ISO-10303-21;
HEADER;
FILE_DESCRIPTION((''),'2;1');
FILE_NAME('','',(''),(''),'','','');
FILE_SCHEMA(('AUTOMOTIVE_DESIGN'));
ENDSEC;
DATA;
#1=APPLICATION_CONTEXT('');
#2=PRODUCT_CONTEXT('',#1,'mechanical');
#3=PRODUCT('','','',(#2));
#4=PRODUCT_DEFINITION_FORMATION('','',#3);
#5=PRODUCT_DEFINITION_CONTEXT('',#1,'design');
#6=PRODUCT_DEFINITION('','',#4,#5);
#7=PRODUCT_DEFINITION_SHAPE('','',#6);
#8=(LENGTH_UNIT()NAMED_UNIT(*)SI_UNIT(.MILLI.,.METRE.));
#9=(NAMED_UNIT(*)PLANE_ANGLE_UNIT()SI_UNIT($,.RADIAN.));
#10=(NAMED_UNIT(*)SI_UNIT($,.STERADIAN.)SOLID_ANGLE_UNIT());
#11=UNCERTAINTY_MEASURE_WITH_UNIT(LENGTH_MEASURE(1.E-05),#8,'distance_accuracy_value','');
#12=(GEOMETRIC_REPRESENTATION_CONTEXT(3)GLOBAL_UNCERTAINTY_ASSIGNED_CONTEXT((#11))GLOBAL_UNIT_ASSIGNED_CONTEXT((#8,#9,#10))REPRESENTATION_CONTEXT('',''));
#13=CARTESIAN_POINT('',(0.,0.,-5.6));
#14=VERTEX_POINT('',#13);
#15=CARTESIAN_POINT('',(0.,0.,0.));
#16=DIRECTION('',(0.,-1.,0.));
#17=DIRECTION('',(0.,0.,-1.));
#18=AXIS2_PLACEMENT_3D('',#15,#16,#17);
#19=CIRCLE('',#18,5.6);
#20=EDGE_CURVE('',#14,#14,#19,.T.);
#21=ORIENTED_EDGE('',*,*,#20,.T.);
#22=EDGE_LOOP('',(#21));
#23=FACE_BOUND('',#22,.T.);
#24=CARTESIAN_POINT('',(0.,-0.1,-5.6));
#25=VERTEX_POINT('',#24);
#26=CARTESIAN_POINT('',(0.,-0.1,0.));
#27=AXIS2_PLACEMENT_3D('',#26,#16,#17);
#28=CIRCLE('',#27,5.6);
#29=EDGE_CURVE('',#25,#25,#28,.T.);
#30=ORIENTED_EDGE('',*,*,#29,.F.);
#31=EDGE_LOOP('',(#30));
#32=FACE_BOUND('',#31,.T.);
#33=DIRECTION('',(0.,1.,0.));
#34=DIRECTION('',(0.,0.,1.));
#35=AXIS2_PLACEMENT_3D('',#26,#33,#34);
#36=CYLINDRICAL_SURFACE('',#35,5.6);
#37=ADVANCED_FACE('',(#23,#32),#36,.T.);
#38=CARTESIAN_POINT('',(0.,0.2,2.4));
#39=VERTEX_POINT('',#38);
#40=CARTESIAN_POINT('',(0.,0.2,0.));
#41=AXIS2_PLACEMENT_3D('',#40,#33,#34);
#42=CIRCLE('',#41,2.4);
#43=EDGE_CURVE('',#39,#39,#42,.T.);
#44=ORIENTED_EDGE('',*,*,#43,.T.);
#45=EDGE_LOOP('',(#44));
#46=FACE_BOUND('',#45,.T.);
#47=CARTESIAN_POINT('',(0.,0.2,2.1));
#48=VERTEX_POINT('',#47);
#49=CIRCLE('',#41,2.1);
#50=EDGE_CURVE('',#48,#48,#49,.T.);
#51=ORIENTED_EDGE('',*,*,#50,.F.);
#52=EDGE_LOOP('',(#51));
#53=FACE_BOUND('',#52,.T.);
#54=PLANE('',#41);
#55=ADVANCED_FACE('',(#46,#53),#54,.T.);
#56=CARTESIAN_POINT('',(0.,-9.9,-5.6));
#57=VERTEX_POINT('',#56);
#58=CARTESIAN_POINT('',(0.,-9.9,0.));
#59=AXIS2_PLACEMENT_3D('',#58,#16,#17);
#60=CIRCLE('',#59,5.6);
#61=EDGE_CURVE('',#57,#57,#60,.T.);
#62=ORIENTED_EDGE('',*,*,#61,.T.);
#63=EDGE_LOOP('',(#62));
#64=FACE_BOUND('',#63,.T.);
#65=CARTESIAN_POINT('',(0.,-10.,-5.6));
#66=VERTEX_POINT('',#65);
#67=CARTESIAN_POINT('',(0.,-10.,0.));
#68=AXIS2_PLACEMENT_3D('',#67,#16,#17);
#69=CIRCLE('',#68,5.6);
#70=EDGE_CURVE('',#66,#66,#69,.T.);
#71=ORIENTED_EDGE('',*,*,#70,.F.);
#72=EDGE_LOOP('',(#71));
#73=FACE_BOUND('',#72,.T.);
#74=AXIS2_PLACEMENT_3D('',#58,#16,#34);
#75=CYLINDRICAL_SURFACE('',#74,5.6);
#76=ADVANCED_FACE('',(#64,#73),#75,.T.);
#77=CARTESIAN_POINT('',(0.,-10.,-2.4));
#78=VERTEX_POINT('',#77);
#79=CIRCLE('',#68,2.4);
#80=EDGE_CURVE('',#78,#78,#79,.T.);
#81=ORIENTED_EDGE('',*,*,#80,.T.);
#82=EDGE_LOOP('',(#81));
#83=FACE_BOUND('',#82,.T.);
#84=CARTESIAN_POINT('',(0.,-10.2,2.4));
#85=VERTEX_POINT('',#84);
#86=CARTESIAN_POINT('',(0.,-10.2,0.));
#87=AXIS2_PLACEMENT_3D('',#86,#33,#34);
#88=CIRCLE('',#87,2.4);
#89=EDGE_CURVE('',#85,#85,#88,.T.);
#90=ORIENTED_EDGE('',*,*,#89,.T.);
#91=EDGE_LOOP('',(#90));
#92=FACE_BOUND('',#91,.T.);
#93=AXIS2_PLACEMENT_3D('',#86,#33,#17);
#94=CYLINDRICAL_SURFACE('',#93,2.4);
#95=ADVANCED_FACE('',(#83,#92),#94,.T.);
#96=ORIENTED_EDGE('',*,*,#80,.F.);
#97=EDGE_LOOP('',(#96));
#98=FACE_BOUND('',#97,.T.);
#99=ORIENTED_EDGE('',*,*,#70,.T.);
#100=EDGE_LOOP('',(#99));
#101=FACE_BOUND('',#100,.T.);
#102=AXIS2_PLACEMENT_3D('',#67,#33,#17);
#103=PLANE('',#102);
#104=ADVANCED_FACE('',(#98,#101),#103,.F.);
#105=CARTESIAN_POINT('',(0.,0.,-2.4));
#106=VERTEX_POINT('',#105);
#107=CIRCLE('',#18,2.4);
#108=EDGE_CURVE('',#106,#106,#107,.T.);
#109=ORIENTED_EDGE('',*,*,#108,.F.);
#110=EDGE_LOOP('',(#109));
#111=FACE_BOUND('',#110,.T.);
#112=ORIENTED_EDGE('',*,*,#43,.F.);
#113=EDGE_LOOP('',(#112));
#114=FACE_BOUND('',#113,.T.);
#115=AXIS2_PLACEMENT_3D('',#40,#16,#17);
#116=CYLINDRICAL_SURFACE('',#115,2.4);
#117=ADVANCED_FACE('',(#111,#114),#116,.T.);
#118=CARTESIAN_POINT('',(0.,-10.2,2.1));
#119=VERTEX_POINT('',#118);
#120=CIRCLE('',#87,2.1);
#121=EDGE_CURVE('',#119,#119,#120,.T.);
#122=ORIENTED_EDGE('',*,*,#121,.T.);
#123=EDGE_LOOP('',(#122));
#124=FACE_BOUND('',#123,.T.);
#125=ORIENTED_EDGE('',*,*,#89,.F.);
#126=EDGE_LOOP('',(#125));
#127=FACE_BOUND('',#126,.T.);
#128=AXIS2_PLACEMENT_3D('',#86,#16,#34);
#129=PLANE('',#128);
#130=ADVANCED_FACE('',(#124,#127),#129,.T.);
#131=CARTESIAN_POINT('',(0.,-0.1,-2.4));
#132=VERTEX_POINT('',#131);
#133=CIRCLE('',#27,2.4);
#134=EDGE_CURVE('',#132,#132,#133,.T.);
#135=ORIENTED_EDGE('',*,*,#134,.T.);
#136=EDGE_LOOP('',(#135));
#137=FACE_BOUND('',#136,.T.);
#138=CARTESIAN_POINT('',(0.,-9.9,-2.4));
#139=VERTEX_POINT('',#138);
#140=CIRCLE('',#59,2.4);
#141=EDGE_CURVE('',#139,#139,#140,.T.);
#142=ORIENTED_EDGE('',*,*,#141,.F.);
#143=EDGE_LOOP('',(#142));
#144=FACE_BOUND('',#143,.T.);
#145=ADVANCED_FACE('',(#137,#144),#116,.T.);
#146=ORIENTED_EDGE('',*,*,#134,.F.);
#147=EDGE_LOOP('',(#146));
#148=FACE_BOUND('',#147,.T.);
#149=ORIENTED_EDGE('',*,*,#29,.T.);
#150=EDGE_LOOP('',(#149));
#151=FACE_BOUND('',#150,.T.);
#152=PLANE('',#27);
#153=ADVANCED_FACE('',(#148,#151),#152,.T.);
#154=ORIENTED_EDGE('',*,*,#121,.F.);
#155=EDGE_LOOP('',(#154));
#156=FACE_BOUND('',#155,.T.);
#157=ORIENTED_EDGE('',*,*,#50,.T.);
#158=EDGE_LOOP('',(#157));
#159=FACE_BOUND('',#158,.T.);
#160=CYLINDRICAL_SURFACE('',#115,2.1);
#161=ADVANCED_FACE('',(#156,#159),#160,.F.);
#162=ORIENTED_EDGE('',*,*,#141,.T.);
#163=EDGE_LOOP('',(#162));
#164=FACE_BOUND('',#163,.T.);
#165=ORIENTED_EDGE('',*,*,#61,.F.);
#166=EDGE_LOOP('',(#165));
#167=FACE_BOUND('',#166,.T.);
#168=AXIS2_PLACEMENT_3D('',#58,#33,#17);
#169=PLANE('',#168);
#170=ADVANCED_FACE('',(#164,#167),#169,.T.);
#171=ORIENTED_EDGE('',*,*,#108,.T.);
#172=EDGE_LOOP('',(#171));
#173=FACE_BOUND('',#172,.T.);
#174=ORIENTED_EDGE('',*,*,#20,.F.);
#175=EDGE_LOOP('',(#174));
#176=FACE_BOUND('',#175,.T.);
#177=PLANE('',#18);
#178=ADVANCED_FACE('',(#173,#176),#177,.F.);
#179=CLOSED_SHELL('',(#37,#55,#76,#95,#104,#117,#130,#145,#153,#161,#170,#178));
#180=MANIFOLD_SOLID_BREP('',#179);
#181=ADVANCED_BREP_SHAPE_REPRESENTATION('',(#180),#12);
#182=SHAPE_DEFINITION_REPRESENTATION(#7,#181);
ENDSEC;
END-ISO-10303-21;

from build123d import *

# Parameters (mm, degrees)
CROQUIS1_R              = 2.4
CROQUIS1_R_2            = 2.1
SALIENTE_EXTRUIR1_DEPTH = 0.2
CROQUIS3_R              = 5.6
CROQUIS3_R_2            = 2.3
SALIENTE_EXTRUIR2_DEPTH = 0.1
CROQUIS5_R              = 2.4
CROQUIS5_R_2            = 2.1
SALIENTE_EXTRUIR3_DEPTH = 5


with BuildPart() as part:
    # Croquis1 → Saliente-Extruir1 (new body)
    with BuildSketch(Plane(origin=(0, 0, 0), x_dir=(1, 0, 0), z_dir=(0, 1, 0))):
        Circle(CROQUIS1_R)
        Circle(CROQUIS1_R_2, mode=Mode.SUBTRACT)
    saliente_extruir1 = extrude(amount=SALIENTE_EXTRUIR1_DEPTH)



with BuildPart() as body_2:
    # Croquis3 → Saliente-Extruir2 (new body)
    with BuildSketch(Plane.XZ):
        Circle(CROQUIS3_R)
        Circle(CROQUIS3_R_2, mode=Mode.SUBTRACT)
    saliente_extruir2 = extrude(amount=SALIENTE_EXTRUIR2_DEPTH)


with BuildPart() as part_1:
    add(part.part)

    add(body_2.part)  # Saliente-Extruir3 merges body 2
    # Croquis5 → Saliente-Extruir3 (add)
    with BuildSketch(Plane.XZ):
        Circle(CROQUIS5_R)
        Circle(CROQUIS5_R_2, mode=Mode.SUBTRACT)
    saliente_extruir3 = extrude(amount=SALIENTE_EXTRUIR3_DEPTH)

    # Simetría2: Saliente-Extruir1, Saliente-Extruir2, Saliente-Extruir3 across plane
    add(saliente_extruir1.mirror(Plane(origin=(0, -5, 0), x_dir=(0, 0, 1), z_dir=(0, -1, 0))))
    add(saliente_extruir2.mirror(Plane(origin=(0, -5, 0), x_dir=(0, 0, 1), z_dir=(0, -1, 0))))
    add(saliente_extruir3.mirror(Plane(origin=(0, -5, 0), x_dir=(0, 0, 1), z_dir=(0, -1, 0))))


solid = part_1.part
